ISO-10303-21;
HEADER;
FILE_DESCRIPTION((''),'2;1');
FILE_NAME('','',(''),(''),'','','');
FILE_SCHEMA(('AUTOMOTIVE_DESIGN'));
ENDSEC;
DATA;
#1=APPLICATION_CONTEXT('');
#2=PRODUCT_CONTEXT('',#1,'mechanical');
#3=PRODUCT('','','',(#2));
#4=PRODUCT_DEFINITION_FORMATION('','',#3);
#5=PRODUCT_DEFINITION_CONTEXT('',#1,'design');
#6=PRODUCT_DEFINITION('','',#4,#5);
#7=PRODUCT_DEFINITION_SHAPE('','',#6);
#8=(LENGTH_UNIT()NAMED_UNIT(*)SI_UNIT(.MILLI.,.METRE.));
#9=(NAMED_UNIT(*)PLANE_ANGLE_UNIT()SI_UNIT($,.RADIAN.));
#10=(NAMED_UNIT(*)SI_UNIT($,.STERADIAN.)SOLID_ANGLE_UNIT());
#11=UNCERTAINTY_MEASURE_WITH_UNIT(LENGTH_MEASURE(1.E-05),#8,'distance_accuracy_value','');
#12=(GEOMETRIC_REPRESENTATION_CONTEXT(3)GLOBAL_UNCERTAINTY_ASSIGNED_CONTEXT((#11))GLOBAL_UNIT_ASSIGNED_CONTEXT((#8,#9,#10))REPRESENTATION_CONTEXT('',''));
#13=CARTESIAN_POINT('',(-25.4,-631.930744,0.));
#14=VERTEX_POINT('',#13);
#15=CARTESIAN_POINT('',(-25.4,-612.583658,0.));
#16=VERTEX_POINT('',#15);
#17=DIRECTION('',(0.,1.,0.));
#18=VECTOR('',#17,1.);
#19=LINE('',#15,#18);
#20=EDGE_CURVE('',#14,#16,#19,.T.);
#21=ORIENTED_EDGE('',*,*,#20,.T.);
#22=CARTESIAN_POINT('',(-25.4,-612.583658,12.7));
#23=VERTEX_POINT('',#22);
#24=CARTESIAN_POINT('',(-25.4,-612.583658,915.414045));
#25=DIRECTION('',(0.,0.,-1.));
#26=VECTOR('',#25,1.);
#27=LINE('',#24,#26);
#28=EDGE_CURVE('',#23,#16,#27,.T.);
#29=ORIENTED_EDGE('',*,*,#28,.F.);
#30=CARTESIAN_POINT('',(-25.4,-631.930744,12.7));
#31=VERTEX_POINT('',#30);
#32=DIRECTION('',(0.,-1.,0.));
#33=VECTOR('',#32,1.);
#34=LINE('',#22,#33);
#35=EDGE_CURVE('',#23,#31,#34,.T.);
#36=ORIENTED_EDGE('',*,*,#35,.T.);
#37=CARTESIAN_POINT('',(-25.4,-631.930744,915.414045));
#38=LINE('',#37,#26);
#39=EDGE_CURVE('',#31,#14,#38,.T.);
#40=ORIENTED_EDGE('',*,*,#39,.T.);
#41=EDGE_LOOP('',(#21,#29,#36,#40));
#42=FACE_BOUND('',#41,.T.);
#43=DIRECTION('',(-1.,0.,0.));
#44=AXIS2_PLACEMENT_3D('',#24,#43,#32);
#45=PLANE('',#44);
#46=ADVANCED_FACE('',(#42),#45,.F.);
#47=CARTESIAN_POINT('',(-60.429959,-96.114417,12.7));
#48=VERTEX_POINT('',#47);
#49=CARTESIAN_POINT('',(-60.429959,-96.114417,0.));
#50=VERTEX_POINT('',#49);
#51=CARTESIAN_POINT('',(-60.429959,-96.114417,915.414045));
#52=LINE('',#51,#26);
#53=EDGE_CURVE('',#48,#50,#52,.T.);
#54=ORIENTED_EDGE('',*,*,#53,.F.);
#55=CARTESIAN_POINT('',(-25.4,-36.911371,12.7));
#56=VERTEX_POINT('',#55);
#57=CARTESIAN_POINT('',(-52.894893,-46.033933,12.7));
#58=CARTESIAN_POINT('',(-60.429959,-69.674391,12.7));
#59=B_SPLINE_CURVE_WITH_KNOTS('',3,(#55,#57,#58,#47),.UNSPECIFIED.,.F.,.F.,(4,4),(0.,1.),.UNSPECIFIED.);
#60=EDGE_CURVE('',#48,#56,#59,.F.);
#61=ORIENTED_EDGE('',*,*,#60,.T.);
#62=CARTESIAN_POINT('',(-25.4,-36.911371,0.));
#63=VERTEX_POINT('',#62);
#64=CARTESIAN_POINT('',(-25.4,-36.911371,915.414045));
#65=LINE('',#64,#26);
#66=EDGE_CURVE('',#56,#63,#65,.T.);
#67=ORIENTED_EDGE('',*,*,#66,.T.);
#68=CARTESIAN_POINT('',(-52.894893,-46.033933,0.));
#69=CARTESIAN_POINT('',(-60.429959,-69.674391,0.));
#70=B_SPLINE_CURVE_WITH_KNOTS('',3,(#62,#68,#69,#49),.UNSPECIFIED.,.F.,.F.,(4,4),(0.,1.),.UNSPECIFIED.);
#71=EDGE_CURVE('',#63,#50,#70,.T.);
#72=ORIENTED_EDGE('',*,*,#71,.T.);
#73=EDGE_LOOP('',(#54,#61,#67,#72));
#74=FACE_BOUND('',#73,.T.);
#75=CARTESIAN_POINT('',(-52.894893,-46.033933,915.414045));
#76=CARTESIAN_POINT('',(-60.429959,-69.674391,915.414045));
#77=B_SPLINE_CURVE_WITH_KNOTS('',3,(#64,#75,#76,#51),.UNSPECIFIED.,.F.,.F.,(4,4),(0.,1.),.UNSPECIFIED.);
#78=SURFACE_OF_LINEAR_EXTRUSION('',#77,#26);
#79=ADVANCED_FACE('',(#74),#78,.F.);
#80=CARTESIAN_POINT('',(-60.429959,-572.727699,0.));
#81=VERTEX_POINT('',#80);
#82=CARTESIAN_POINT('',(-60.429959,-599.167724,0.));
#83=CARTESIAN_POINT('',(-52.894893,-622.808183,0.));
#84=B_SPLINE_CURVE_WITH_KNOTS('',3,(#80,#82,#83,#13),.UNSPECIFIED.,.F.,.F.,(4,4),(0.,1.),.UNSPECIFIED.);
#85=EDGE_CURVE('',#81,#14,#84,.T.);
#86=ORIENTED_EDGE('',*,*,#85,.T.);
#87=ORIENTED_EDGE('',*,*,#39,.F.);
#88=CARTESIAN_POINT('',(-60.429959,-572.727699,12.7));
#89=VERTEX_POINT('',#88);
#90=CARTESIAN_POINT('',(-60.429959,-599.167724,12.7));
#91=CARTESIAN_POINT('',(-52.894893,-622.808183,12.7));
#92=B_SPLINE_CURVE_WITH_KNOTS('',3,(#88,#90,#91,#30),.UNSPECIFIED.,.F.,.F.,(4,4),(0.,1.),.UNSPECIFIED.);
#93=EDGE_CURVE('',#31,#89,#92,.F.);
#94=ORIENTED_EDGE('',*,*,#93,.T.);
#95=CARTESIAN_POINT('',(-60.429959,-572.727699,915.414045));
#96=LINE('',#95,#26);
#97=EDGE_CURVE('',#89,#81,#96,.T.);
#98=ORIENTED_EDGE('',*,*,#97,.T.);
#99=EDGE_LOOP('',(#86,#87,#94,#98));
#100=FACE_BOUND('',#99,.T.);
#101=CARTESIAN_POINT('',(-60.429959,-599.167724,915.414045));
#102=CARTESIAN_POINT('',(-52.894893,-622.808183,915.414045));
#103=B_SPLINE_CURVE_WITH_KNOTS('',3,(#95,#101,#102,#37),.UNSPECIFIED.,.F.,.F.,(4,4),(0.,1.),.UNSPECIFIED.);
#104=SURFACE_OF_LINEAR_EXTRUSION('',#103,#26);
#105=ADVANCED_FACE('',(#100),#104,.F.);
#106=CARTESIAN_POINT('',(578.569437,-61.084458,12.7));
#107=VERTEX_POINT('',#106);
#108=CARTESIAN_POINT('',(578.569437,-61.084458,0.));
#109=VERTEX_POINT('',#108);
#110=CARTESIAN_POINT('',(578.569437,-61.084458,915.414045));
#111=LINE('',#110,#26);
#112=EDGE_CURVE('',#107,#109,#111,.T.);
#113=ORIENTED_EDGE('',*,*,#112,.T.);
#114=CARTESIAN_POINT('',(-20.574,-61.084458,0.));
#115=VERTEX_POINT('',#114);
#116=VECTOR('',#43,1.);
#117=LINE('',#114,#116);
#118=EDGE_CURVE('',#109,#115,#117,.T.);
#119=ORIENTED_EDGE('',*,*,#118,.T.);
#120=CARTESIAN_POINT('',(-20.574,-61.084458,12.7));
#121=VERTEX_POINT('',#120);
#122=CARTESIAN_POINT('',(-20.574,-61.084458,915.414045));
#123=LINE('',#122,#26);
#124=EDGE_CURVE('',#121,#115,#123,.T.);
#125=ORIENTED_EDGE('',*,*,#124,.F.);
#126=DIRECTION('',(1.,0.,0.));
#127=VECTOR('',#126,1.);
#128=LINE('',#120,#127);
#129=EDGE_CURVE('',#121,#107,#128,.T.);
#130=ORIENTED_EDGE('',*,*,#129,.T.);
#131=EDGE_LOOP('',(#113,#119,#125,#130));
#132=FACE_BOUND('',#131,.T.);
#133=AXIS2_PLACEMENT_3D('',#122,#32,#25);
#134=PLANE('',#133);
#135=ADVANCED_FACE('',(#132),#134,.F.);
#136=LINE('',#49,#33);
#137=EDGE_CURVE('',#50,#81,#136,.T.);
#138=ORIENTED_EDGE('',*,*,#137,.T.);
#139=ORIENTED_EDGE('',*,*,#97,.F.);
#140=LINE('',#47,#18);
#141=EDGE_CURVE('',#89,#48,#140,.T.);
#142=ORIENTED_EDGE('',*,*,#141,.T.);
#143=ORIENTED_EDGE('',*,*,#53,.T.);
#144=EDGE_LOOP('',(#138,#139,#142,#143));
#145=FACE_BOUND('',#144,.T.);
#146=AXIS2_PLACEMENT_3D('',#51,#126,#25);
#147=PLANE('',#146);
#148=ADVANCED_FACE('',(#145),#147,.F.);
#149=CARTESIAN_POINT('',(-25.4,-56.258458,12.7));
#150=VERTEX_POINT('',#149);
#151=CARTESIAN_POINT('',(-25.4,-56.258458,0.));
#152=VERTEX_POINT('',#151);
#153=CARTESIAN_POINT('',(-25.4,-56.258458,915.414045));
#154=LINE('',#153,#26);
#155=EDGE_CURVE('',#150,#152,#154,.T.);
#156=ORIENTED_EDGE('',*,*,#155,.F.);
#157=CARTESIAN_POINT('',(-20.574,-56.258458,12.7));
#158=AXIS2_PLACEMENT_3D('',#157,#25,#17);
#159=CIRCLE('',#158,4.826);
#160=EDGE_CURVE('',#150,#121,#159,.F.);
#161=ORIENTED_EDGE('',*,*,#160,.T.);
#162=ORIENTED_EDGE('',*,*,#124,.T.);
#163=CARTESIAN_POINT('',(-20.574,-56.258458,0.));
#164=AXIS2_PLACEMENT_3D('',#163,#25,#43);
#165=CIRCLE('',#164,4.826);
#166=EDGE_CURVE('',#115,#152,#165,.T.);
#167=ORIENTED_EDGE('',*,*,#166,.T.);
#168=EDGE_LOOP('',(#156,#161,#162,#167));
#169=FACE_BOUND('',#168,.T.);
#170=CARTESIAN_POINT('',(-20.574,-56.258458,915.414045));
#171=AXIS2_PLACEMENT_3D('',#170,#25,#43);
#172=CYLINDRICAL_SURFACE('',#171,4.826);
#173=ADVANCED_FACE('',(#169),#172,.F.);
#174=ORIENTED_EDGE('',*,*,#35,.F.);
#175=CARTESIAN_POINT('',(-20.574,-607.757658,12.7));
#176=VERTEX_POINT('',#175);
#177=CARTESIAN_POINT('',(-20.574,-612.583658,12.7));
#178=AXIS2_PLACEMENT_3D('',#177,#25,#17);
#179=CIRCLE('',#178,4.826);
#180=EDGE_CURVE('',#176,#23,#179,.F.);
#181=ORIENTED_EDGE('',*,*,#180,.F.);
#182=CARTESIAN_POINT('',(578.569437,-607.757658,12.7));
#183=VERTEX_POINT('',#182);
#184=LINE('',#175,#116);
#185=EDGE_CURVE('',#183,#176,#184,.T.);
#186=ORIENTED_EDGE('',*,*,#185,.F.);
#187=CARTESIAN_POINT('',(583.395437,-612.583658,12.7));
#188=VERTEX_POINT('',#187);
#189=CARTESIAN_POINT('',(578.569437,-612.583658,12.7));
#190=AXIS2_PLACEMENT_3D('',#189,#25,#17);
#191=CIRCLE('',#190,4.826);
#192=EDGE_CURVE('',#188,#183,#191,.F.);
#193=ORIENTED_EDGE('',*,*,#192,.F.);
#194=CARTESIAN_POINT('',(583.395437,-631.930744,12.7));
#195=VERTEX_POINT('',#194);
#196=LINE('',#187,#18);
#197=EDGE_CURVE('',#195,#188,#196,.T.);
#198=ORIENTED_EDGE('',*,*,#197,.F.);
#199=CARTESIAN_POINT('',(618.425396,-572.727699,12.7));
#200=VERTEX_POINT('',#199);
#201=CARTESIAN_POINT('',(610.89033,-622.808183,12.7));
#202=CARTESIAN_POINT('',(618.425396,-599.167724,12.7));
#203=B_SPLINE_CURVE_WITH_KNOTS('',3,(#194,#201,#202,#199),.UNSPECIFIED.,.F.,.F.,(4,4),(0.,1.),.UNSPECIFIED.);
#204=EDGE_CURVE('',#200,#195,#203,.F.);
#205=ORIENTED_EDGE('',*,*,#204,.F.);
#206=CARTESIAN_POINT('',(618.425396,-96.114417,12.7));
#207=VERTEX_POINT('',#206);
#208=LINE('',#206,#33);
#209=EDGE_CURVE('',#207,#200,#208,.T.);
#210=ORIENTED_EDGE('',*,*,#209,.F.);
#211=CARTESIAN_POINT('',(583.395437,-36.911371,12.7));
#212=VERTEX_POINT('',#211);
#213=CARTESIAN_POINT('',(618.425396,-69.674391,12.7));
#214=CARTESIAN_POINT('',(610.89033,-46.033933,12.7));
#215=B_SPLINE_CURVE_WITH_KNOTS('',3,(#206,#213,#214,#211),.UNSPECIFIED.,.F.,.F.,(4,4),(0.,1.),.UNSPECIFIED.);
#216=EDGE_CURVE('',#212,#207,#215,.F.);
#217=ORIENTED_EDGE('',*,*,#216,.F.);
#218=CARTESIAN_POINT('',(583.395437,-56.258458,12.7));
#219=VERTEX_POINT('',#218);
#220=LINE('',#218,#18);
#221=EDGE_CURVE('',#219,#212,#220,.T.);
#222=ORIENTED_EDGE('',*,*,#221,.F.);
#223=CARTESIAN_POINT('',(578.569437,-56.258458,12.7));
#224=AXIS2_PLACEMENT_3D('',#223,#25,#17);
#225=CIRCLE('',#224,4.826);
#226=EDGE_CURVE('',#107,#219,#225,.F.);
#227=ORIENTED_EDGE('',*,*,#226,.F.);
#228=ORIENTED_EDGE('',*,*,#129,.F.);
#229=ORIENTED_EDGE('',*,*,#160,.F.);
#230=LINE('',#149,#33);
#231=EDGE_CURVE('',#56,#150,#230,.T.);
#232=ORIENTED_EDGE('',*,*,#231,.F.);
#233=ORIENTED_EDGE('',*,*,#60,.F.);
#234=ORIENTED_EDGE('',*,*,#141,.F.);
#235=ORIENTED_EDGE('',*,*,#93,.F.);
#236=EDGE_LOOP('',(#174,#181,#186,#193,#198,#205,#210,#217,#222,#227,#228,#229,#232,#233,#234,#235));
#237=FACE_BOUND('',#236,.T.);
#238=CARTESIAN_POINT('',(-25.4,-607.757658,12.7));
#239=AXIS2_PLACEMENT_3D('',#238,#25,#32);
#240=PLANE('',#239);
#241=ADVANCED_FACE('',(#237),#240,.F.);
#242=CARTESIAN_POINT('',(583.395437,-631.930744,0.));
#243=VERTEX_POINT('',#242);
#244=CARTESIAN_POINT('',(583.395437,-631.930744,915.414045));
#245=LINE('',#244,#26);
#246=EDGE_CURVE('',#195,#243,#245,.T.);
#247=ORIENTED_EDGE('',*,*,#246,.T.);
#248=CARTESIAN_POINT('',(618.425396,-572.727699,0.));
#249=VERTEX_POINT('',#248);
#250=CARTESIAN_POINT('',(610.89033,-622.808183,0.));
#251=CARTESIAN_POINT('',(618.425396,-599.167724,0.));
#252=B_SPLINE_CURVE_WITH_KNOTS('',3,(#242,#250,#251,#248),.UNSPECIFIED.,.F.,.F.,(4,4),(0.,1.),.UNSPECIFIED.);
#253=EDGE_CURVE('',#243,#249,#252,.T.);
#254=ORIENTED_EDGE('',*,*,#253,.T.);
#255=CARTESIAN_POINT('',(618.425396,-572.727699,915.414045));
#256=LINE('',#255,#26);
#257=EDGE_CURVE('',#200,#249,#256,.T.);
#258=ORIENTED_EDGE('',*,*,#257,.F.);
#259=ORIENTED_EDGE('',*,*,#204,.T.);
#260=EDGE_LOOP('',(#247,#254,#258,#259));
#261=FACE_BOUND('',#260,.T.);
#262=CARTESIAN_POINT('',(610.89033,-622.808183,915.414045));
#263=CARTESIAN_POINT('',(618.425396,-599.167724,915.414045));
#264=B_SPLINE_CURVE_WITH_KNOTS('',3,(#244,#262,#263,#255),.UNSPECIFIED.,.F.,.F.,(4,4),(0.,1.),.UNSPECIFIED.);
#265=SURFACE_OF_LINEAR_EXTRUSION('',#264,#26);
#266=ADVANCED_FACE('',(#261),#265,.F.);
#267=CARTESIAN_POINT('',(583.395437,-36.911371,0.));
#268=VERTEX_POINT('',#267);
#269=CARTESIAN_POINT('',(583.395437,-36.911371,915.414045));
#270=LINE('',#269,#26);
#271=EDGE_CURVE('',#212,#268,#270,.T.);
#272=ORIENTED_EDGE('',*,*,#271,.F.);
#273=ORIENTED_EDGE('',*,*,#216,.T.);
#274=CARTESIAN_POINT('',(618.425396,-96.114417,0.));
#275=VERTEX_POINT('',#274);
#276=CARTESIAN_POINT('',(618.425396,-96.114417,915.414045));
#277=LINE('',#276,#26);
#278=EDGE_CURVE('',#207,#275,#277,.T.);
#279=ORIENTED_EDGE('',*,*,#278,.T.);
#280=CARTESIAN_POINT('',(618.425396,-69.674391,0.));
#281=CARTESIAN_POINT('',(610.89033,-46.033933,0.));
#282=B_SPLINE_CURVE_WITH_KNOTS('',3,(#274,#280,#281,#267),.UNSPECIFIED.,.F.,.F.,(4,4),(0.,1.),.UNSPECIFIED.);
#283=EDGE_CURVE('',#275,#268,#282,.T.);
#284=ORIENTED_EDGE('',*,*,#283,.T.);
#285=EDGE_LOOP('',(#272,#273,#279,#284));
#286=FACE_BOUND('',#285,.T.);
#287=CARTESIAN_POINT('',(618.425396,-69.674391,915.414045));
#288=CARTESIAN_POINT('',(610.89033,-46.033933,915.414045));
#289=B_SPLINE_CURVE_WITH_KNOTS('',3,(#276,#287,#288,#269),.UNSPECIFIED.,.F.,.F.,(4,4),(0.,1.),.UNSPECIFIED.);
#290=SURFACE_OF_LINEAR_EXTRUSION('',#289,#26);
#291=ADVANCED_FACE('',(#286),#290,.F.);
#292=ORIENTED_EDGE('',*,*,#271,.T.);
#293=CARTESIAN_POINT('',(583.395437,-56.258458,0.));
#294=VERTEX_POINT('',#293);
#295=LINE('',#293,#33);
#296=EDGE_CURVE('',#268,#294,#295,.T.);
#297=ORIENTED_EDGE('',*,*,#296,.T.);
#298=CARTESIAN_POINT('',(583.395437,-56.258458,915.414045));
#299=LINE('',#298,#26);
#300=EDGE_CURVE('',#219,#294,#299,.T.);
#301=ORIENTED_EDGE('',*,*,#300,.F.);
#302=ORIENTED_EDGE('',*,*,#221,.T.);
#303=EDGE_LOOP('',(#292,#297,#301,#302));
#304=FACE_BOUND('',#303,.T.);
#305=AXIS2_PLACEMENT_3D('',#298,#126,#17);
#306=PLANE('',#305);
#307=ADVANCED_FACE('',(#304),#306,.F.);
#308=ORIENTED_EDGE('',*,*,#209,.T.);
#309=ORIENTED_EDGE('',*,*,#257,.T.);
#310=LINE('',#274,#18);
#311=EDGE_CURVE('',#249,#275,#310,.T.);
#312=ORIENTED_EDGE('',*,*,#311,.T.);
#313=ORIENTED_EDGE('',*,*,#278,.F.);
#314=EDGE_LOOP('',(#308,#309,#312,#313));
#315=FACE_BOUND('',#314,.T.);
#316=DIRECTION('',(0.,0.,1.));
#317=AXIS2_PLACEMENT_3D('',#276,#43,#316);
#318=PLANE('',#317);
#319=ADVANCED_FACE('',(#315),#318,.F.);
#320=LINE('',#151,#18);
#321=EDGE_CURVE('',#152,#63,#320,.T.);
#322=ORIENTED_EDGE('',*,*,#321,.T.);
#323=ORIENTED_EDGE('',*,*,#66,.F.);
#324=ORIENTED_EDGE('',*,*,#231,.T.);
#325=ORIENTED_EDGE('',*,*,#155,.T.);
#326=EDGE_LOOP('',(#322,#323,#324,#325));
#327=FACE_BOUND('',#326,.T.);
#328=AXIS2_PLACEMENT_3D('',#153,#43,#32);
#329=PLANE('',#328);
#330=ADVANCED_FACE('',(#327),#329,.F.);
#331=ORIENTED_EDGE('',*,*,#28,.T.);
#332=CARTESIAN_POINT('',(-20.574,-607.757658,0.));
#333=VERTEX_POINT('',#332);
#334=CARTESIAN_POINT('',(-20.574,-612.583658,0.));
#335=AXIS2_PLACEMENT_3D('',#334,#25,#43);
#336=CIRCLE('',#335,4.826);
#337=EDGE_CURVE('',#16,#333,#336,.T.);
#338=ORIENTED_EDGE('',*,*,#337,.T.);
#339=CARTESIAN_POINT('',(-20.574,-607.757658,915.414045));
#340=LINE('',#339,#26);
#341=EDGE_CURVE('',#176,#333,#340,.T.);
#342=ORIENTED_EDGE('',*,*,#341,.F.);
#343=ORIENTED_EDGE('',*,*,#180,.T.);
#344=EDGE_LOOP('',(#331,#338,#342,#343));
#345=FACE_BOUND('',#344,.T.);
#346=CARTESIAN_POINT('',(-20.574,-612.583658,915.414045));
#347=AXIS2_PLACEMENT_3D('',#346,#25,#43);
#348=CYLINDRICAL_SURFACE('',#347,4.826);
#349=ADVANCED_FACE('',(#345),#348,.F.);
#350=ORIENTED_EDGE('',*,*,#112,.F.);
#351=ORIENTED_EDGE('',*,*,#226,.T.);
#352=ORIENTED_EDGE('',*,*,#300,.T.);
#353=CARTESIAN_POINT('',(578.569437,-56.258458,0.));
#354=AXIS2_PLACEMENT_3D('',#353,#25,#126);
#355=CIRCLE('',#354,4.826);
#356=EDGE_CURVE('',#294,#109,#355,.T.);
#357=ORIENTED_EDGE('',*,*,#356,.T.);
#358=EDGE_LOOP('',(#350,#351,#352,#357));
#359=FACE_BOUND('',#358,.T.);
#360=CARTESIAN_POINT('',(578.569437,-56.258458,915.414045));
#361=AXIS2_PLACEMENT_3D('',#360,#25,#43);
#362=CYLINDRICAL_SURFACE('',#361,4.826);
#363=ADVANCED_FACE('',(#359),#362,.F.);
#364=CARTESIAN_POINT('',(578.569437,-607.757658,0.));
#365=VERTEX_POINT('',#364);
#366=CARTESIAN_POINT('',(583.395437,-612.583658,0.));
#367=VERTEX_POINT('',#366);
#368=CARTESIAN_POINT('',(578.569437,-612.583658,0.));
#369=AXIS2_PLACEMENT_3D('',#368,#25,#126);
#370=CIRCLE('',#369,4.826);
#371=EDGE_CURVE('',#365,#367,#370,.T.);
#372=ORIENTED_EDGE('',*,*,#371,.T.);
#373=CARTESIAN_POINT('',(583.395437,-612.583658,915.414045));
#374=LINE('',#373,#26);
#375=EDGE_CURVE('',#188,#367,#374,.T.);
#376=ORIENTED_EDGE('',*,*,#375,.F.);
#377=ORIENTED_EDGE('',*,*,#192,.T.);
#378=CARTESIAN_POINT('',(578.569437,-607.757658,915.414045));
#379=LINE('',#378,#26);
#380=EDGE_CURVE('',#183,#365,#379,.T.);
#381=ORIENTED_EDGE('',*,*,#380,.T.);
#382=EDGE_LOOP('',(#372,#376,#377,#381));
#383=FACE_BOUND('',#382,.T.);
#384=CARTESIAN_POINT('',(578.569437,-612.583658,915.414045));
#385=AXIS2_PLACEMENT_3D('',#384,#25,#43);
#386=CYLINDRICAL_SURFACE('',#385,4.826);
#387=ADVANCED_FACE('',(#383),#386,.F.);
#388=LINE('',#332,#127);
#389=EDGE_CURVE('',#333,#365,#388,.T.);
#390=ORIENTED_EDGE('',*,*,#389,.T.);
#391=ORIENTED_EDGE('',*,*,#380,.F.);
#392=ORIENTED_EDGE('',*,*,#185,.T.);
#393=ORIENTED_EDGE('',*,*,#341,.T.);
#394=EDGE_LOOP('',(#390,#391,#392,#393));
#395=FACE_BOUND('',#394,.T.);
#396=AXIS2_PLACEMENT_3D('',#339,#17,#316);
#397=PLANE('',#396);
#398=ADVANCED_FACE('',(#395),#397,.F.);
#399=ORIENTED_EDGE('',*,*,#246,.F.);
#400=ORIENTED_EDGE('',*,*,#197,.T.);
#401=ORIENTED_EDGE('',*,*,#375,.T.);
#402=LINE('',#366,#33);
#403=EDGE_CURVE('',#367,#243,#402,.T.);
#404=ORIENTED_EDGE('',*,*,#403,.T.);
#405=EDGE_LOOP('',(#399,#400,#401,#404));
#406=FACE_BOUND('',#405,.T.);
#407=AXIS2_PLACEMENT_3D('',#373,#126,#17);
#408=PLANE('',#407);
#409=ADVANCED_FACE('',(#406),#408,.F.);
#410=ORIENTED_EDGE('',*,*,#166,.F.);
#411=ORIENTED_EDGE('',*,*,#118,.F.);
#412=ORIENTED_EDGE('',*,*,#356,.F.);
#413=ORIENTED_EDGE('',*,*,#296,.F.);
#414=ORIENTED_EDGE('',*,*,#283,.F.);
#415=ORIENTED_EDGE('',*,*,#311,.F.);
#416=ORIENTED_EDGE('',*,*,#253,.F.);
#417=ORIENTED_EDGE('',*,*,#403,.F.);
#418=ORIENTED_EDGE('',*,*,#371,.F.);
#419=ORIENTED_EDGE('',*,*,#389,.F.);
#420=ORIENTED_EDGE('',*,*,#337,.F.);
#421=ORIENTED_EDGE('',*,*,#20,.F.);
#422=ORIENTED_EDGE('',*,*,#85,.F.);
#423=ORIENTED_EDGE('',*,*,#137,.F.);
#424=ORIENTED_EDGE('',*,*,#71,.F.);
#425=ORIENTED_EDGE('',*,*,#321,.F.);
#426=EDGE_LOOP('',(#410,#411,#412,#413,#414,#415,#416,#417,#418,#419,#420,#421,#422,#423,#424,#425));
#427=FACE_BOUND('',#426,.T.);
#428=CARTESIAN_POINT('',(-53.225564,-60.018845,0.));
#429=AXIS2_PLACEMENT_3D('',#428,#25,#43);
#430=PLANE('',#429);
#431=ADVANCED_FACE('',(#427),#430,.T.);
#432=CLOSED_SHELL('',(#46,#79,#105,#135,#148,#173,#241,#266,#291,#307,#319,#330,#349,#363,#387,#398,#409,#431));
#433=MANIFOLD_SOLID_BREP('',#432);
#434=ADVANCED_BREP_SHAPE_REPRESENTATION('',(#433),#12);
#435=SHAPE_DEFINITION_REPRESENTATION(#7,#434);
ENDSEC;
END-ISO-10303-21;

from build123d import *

# Parameters (mm, degrees)
BOSS_EXTRUDE1_DEPTH = 12.7


with BuildPart() as part:
    # Sketch1 → Boss-Extrude1 (new body)
    with BuildSketch(Plane.XY):
        with BuildLine():
            Line((-20.574, -61.084457743), (578.569437198, -61.084457743))
            ThreePointArc((578.569437198, -61.084457743), (581.981934524, -59.670955069), (583.395437198, -56.258457743))
            Line((583.395437198, -56.258457743), (583.395437198, -36.911371471))
            add(Edge.make_bspline(
                [(583.395437198, -36.911371471), (610.890329995, -46.033932746), (618.425396158, -69.67439137), (618.425396158, -96.114416703)],
                knots=[0, 0, 0, 0, 1, 1, 1, 1], degree=3))
            Line((618.425396158, -96.114416703), (618.425396158, -572.727698858))
            add(Edge.make_bspline(
                [(583.395437198, -631.93074409), (610.890329995, -622.808182814), (618.425396158, -599.167724191), (618.425396158, -572.727698858)],
                knots=[0, 0, 0, 0, 1, 1, 1, 1], degree=3))
            Line((583.395437198, -631.93074409), (583.395437198, -612.583657817))
            ThreePointArc((583.395437198, -612.583657817), (581.981934524, -609.171160491), (578.569437198, -607.757657817))
            Line((578.569437198, -607.757657817), (-20.574, -607.757657817))
            ThreePointArc((-20.574, -607.757657817), (-23.986497326, -609.171160491), (-25.4, -612.583657817))
            Line((-25.4, -612.583657817), (-25.4, -631.93074409))
            add(Edge.make_bspline(
                [(-25.4, -631.93074409), (-52.894892797, -622.808182814), (-60.42995896, -599.167724191), (-60.42995896, -572.727698858)],
                knots=[0, 0, 0, 0, 1, 1, 1, 1], degree=3))
            Line((-60.42995896, -572.727698858), (-60.42995896, -96.114416703))
            add(Edge.make_bspline(
                [(-25.4, -36.911371471), (-52.894892797, -46.033932746), (-60.42995896, -69.67439137), (-60.42995896, -96.114416703)],
                knots=[0, 0, 0, 0, 1, 1, 1, 1], degree=3))
            Line((-25.4, -36.911371471), (-25.4, -56.258457743))
            ThreePointArc((-25.4, -56.258457743), (-23.986497326, -59.670955069), (-20.574, -61.084457743))
        make_face()
    extrude(amount=BOSS_EXTRUDE1_DEPTH)


solid = part.part
